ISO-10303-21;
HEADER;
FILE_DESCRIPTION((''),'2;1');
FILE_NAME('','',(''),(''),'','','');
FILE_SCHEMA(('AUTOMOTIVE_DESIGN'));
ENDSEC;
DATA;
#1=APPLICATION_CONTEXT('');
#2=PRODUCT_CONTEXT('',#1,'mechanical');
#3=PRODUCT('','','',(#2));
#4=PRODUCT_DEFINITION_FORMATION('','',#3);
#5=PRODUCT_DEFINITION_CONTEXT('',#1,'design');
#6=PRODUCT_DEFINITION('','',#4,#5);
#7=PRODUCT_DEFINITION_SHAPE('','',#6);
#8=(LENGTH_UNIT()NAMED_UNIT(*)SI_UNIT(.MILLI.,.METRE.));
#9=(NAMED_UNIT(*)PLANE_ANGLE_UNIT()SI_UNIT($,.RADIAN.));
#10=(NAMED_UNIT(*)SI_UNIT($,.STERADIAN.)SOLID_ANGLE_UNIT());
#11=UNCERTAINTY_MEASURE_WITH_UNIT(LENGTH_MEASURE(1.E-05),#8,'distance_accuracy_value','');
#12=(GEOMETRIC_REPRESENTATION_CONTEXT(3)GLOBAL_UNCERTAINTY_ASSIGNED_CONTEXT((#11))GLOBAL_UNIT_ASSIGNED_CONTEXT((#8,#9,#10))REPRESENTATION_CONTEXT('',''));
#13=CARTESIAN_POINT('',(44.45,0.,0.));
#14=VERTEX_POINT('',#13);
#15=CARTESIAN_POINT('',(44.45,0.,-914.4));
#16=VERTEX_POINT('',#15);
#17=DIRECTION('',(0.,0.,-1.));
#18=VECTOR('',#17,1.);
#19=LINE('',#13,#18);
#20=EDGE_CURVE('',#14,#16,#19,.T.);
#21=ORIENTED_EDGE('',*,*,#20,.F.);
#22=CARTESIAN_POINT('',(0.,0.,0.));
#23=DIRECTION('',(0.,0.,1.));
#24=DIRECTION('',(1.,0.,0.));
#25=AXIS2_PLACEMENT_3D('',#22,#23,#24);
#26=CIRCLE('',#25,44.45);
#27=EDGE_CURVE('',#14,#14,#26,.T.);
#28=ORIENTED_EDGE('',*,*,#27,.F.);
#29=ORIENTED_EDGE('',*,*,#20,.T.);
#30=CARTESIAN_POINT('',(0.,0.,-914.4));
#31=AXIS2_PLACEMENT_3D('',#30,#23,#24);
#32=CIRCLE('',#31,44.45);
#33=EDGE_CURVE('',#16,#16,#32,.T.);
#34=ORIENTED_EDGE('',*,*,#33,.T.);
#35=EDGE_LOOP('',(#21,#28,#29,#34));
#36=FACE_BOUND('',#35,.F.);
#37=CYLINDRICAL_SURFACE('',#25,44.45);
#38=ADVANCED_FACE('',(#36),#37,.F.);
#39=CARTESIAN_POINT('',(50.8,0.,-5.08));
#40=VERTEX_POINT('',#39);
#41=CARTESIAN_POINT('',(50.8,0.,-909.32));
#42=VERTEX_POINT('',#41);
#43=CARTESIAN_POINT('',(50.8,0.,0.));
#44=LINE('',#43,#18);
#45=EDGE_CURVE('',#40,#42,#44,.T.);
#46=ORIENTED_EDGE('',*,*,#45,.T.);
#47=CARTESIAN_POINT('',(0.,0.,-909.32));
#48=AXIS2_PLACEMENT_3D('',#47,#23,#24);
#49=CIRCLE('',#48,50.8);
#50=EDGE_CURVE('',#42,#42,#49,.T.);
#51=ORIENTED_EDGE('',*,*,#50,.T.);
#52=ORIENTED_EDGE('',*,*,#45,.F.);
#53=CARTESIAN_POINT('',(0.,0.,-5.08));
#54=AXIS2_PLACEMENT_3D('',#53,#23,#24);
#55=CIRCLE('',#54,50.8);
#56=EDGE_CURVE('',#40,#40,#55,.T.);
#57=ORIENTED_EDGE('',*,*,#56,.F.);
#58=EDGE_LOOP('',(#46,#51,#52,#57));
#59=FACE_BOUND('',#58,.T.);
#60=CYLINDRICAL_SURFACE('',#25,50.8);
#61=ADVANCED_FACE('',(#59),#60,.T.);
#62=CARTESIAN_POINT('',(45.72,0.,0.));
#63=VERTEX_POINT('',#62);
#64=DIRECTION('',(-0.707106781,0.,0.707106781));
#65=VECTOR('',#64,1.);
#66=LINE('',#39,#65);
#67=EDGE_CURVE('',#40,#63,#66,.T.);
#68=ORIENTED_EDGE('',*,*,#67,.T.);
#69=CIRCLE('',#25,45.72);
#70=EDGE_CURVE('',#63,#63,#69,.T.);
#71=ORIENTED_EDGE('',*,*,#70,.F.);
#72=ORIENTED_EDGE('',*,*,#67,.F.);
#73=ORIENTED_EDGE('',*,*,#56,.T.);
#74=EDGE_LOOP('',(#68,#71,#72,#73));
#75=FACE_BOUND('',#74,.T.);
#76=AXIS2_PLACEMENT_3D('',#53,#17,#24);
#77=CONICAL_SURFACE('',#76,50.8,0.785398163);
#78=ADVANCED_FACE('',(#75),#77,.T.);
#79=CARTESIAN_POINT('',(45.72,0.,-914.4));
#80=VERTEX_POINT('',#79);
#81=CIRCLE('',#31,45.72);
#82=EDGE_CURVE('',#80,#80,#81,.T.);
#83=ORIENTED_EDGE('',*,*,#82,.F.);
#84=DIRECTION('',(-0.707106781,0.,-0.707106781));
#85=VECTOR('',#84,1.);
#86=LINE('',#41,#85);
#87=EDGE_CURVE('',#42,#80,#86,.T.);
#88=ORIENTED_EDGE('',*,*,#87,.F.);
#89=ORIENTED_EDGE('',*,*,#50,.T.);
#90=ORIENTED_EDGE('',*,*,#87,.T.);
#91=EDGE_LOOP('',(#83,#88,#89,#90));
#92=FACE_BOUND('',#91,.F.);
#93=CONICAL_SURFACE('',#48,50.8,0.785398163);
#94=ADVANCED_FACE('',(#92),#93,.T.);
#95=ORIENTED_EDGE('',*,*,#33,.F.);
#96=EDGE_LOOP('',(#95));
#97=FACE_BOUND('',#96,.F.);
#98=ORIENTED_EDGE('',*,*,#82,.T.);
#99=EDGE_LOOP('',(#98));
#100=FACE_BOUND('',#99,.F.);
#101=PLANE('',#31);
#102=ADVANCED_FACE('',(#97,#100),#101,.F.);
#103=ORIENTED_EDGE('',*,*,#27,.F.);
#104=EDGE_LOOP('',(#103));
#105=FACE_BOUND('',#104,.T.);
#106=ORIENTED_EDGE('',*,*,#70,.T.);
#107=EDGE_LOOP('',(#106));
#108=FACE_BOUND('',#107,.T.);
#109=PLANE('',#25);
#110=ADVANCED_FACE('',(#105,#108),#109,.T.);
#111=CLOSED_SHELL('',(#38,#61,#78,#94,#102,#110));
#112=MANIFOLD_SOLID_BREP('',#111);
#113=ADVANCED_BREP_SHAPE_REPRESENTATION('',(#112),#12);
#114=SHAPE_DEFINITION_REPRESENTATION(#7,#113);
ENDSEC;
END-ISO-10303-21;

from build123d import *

# Parameters (mm, degrees)
F0_R     = 50.8
F0_R_2   = 44.45
F1_DEPTH = 914.4
F2_SIZE  = 5.08
F3_SIZE  = 5.08


with BuildPart() as f1:
    # F0 (on Top) → F1 (new body)
    with BuildSketch(Plane.XY):
        Circle(F0_R)
        Circle(F0_R_2, mode=Mode.SUBTRACT)
    extrude(amount=-F1_DEPTH)

    # F2
    f2_edges = [f1.edges().sort_by_distance(p)[0] for p in [
        (-50.8, 0, 0),
    ]]
    chamfer(f2_edges, length=F2_SIZE)

    # F3
    f3_edges = [f1.edges().sort_by_distance(p)[0] for p in [
        (-50.8, 0, -914.4),
    ]]
    chamfer(f3_edges, length=F3_SIZE)


solid = f1.part
